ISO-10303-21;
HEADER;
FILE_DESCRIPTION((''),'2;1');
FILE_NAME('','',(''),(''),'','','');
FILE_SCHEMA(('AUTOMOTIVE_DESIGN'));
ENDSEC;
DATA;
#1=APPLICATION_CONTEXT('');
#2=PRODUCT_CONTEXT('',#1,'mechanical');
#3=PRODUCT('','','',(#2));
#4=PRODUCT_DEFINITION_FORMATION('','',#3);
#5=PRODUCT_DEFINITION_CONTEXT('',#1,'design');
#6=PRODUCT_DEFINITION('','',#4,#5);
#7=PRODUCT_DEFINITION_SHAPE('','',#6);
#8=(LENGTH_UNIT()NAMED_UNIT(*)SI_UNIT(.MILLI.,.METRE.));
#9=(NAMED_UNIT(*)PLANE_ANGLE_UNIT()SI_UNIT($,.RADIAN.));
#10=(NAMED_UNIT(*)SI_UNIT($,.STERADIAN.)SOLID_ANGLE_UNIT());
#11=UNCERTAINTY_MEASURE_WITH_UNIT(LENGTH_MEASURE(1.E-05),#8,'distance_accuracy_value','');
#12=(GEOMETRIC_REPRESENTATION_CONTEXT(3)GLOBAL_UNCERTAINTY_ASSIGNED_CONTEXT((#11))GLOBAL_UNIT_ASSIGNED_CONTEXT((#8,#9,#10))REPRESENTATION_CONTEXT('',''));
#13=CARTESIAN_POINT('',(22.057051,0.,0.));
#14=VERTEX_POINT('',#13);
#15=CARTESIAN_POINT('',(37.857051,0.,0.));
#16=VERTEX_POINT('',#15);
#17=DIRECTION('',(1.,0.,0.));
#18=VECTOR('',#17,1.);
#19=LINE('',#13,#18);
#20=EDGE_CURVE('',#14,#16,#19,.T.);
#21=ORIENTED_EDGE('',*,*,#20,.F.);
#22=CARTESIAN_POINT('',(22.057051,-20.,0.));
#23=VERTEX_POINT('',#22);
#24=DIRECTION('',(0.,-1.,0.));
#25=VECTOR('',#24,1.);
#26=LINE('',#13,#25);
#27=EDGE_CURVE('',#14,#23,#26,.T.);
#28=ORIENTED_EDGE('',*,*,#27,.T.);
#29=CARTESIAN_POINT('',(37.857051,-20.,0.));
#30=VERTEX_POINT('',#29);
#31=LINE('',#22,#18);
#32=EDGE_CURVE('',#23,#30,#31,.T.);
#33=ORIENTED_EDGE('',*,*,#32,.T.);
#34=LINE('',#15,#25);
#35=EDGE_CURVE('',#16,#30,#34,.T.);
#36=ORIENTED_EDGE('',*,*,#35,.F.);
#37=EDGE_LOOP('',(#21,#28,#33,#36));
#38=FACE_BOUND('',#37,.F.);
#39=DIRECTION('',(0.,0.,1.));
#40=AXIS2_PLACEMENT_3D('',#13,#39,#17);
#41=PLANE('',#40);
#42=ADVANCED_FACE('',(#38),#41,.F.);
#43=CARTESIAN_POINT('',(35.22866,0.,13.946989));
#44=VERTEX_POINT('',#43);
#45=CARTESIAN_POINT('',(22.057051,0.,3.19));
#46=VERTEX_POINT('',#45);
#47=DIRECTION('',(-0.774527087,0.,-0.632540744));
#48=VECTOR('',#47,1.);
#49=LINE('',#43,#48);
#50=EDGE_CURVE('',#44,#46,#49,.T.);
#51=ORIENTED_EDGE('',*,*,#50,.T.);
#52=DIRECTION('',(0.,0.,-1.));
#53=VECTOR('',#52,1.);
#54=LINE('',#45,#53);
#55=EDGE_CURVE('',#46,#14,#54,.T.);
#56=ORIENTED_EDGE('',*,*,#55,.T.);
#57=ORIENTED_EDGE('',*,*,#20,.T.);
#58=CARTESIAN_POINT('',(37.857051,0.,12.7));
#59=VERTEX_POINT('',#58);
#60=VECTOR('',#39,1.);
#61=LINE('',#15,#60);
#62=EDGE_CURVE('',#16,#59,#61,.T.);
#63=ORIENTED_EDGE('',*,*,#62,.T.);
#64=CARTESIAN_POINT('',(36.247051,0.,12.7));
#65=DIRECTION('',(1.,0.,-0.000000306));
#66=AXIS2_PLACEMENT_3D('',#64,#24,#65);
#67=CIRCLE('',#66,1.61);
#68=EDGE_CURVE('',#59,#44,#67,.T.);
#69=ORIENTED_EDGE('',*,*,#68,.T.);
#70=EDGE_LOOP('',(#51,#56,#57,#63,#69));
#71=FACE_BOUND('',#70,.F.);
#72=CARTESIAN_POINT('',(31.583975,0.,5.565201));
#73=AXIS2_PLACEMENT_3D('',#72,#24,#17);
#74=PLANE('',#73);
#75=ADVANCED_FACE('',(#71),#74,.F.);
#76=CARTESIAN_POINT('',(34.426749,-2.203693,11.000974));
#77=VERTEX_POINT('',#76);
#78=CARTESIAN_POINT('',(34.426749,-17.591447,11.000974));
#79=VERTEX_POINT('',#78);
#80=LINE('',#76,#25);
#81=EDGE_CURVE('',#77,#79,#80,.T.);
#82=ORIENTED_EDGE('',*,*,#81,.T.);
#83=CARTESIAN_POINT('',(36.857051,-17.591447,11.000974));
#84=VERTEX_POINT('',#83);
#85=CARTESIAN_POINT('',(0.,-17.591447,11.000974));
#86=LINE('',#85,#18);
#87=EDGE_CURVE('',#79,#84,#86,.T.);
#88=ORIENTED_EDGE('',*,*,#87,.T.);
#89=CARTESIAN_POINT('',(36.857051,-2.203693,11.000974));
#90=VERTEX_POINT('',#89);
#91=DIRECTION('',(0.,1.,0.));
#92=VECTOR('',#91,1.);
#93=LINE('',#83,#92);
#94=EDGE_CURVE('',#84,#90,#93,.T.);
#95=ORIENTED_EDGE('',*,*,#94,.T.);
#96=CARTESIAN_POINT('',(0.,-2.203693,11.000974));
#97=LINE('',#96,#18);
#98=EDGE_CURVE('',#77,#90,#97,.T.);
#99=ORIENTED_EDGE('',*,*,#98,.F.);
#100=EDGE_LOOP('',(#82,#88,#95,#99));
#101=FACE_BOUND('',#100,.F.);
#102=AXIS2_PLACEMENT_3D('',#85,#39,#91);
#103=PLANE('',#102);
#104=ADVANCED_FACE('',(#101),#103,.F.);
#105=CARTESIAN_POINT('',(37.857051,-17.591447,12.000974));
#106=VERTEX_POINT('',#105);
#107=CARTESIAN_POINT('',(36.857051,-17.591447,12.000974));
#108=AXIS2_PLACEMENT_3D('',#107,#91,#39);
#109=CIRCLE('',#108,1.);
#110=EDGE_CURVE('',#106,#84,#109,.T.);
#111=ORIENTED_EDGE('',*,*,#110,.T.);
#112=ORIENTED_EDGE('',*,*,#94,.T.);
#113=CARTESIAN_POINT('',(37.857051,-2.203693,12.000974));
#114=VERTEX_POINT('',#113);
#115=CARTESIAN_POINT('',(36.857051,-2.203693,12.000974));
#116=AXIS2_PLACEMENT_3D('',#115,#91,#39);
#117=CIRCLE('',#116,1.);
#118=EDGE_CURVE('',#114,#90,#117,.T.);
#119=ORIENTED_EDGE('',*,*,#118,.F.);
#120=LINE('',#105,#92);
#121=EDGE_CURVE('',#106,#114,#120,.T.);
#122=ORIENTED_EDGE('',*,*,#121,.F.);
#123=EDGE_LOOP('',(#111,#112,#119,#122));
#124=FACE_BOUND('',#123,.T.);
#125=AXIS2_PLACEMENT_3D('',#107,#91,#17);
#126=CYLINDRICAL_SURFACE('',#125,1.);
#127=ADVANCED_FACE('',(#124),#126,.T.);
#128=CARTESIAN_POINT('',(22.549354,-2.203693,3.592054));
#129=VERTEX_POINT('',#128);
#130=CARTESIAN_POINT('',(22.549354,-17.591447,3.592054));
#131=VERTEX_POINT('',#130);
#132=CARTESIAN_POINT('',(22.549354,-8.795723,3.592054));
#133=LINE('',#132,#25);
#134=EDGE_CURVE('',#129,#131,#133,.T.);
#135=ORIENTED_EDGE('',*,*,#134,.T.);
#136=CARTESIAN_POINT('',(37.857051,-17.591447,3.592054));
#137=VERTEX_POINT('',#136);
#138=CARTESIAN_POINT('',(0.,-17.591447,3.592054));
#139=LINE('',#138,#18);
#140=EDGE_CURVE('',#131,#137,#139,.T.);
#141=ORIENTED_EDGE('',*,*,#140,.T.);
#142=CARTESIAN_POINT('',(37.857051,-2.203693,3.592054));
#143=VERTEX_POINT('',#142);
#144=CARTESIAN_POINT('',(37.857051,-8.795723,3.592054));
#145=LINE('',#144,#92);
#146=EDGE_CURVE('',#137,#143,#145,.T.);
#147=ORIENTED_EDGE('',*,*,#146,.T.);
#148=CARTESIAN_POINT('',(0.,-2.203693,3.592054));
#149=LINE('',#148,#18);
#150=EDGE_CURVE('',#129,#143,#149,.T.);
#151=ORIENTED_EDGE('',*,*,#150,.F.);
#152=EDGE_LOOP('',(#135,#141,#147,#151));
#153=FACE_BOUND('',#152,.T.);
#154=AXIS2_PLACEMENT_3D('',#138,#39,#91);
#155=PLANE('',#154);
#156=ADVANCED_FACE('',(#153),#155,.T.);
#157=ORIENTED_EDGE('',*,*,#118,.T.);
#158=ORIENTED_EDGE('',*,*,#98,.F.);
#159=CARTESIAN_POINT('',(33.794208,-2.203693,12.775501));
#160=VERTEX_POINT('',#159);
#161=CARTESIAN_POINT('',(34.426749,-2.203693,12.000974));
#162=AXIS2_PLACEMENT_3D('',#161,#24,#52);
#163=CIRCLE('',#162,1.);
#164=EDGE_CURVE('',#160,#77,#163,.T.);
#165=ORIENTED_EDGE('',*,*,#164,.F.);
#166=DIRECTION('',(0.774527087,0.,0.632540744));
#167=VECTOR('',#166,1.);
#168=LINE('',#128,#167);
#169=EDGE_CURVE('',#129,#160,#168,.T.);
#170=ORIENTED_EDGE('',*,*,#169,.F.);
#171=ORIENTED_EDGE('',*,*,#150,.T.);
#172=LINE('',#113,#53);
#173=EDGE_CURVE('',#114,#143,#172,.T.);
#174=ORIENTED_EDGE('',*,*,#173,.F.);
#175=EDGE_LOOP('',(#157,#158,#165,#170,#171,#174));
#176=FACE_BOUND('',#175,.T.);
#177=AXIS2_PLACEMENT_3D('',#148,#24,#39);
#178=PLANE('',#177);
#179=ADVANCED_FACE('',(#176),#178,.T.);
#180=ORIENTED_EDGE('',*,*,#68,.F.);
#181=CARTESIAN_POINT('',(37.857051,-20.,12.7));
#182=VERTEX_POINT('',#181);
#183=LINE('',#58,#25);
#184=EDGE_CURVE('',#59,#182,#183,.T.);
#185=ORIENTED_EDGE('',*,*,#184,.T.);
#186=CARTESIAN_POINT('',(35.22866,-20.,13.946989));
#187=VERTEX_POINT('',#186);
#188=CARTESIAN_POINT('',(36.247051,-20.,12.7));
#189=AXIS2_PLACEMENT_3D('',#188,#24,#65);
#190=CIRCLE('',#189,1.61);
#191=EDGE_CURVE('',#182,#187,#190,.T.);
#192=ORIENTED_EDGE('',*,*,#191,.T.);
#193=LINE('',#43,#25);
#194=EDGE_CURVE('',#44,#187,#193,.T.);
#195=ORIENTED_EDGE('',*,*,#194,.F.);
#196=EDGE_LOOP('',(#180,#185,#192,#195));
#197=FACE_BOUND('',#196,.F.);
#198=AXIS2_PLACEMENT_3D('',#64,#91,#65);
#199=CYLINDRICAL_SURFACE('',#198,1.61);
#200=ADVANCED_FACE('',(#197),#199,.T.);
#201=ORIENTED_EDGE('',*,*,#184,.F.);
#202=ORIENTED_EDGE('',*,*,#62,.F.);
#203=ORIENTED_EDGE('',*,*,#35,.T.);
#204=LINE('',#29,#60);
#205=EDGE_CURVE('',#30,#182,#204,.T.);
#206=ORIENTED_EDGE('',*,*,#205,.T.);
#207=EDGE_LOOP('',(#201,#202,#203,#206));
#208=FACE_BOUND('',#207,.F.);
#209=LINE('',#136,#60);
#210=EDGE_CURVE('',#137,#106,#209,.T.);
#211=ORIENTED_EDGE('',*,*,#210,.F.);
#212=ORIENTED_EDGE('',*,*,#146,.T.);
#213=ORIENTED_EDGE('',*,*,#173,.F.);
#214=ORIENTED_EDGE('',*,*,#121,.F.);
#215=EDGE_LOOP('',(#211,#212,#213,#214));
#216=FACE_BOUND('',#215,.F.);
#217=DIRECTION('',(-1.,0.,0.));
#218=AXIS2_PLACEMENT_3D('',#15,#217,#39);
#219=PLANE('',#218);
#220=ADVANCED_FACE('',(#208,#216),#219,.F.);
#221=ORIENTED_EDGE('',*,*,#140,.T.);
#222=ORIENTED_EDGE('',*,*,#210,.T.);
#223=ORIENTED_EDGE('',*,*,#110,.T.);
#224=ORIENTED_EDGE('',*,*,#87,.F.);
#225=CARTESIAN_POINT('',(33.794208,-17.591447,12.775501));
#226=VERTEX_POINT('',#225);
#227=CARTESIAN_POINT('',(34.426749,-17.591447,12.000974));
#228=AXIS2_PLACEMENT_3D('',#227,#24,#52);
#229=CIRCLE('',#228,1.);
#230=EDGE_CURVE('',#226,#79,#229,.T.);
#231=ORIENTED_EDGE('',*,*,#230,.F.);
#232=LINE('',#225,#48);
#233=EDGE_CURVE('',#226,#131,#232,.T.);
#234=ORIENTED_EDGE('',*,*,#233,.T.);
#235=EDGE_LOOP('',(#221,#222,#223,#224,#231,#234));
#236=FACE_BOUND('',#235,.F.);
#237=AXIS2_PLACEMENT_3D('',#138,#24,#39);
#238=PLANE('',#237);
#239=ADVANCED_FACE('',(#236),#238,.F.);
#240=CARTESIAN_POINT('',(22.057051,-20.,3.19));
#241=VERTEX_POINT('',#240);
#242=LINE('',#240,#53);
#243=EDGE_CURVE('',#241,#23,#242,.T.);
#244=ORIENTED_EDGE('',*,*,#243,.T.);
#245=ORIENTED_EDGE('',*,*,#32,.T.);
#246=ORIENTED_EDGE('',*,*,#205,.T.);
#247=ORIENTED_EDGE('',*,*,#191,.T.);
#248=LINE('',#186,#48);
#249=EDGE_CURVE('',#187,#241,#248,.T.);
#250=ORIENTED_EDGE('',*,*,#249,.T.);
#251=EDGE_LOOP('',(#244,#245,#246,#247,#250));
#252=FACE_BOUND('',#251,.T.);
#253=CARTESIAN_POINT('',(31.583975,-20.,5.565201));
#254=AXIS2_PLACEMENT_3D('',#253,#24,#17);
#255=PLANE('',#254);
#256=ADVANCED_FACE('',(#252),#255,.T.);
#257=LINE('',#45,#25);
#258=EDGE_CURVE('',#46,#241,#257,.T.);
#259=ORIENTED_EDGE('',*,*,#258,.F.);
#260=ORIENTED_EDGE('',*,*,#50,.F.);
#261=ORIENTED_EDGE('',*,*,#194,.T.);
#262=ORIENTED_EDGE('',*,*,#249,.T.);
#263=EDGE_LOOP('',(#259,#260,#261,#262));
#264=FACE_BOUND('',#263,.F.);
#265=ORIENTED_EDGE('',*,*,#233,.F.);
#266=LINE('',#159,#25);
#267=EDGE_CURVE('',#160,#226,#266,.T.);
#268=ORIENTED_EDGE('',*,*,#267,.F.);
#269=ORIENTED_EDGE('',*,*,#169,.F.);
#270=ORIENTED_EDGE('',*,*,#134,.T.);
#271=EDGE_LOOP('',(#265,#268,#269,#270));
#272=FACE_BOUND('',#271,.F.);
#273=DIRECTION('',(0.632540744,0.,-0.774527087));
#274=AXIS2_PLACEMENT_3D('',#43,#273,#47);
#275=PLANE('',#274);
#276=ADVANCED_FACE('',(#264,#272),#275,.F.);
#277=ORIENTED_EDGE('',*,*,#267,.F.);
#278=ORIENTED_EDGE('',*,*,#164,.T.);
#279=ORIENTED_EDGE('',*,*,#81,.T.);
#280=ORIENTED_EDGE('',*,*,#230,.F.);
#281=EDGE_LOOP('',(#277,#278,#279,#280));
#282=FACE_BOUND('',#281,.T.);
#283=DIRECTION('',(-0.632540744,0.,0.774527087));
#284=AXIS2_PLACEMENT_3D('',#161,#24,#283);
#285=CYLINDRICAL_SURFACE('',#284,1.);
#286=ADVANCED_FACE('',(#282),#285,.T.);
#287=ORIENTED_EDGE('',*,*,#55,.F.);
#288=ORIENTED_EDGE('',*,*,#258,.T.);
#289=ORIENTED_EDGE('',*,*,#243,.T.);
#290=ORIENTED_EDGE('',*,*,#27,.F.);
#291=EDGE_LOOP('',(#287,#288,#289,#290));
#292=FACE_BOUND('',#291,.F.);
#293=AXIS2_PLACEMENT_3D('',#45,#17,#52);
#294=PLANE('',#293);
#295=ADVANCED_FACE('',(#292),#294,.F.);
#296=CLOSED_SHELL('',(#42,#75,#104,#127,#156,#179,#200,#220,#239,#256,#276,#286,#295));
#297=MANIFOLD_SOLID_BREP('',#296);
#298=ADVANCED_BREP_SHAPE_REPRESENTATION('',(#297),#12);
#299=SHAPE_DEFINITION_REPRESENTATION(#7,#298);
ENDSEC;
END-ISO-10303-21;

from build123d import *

# Parameters (mm, degrees)
F1_DEPTH = 20
F2_DEPTH = 20
F3_W     = 15.387754
F3_H     = 7.40892
F4_DEPTH = 50
F5_R     = 1
F6_R     = 1


with BuildPart() as f1:
    # F0 (on Front) → F1 (new body)
    with BuildSketch(Plane.XZ):
        with BuildLine():
            ThreePointArc((35.22866, 13.946989), (35.556946, 11.245402), (37.857051, 12.7))
            ThreePointArc((37.857051, 12.7), (36.937157, 14.154598), (35.22866, 13.946989))
        make_face()
    extrude(amount=F1_DEPTH)

    # F0 (on Front) → F2 (join)
    with BuildSketch(Plane.XZ):
        with BuildLine():
            Line((22.057051, 3.19), (22.057051, 0))
            Line((22.057051, 0), (37.857051, 0))
            Line((37.857051, 0), (37.857051, 12.7))
            ThreePointArc((37.857051, 12.7), (35.556946, 11.245402), (35.22866, 13.946989))
            Line((35.22866, 13.946989), (22.057051, 3.19))
        make_face()
        with BuildLine():
            ThreePointArc((35.22866, 13.946989), (35.556946, 11.245402), (37.857051, 12.7))
            ThreePointArc((37.857051, 12.7), (36.937157, 14.154598), (35.22866, 13.946989))
        make_face()
    extrude(amount=F2_DEPTH)

    # F3 (on Right) → F4 (cut)
    with BuildSketch(Plane.YZ):
        with Locations((-9.89757, 7.296514)):
            Rectangle(F3_W, F3_H)
    extrude(amount=F4_DEPTH, mode=Mode.SUBTRACT)

    # F5
    f5_edges = [f1.edges().sort_by_distance(p)[0] for p in [
        (31.621354, -9.89757, 11.000974),
    ]]
    fillet(f5_edges, radius=F5_R)

    # F6
    f6_edges = [f1.edges().sort_by_distance(p)[0] for p in [
        (37.857051, -9.89757, 11.000974),
    ]]
    fillet(f6_edges, radius=F6_R)


solid = f1.part
